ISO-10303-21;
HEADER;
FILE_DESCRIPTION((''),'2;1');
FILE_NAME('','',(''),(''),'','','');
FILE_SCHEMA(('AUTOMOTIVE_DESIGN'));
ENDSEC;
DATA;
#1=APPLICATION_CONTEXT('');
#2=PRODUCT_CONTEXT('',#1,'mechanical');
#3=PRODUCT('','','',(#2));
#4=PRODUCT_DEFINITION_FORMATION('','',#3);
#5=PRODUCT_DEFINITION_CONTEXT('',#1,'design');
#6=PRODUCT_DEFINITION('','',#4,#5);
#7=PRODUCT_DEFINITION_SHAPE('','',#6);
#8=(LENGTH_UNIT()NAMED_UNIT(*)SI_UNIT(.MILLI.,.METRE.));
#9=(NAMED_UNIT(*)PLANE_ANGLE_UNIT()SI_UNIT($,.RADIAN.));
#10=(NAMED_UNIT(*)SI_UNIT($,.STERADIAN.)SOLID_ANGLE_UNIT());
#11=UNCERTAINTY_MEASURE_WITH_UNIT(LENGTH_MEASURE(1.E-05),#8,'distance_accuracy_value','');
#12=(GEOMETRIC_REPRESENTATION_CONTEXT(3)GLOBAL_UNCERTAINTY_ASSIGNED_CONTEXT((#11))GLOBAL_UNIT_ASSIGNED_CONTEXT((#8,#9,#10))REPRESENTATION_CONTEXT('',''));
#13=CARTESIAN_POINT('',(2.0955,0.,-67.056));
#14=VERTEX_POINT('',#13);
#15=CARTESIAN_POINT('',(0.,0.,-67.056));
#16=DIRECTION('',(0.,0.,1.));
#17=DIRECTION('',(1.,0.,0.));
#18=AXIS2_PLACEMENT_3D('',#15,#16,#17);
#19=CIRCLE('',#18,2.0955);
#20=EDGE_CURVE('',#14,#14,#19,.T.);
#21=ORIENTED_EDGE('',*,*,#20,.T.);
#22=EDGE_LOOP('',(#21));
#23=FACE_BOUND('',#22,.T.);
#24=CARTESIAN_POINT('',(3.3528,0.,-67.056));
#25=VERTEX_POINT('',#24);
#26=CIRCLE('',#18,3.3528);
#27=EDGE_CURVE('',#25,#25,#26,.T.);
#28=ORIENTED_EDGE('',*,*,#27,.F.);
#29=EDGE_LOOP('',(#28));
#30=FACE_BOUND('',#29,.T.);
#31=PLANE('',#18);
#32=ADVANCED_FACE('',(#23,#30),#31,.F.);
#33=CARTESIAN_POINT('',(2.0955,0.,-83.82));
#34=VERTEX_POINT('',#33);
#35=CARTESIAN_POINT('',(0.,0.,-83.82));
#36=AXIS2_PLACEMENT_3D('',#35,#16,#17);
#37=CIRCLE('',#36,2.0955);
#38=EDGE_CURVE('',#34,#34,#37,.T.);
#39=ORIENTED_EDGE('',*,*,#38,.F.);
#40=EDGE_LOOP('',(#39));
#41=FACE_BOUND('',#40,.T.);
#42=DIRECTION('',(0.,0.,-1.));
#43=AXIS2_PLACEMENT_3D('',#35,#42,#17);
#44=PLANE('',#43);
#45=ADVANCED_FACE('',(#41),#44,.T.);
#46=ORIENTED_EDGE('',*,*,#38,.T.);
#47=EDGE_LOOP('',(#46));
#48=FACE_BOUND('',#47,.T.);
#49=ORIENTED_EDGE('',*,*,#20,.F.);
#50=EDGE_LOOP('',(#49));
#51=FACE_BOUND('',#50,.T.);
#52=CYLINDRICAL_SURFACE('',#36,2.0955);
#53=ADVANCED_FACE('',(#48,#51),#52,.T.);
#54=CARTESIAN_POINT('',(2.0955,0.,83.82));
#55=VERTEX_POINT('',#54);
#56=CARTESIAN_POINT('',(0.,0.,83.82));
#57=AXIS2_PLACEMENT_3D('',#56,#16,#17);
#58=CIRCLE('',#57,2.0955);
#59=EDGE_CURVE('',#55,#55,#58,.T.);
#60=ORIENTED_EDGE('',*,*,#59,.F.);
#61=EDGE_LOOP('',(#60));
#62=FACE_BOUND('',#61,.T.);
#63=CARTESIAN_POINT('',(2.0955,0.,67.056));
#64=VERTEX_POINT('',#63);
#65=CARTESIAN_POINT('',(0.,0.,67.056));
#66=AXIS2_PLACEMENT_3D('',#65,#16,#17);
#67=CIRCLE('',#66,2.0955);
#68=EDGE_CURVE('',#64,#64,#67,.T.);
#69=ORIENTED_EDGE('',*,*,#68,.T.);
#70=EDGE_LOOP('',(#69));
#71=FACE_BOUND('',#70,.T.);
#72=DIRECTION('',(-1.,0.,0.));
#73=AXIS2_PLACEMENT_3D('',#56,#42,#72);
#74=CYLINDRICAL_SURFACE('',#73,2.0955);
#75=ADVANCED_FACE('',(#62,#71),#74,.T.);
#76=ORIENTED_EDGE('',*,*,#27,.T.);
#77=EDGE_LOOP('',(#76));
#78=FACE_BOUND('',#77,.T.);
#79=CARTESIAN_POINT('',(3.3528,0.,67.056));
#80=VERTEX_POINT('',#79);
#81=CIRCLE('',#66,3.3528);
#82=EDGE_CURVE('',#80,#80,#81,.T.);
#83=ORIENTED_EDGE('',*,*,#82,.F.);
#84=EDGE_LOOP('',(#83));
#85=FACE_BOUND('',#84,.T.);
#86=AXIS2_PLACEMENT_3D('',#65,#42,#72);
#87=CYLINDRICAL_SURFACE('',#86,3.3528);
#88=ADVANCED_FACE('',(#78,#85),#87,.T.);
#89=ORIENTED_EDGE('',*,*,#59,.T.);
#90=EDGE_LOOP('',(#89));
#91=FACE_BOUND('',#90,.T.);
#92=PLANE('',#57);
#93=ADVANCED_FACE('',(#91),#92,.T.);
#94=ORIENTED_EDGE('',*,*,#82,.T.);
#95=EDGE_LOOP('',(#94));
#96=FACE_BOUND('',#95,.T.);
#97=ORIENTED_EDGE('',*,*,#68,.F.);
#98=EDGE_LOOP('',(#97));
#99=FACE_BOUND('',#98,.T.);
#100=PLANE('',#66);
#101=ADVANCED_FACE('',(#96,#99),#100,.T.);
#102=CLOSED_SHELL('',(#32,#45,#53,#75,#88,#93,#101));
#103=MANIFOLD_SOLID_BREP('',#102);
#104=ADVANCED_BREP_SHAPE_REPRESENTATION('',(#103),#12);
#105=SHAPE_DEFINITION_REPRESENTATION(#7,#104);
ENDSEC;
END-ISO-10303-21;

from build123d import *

# Parameters (mm, degrees)
SKETCH1_R           = 5.08
BOSS_EXTRUDE1_DEPTH = 101.6
SKETCH2_R           = 3.175
BOSS_EXTRUDE2_DEPTH = 25.4
SCALE1_SCALE        = 0.66


with BuildPart() as part:
    # Sketch1 → Boss-Extrude1 (new, symmetric)
    with BuildSketch(Plane.XY):
        Circle(SKETCH1_R)
    extrude(amount=BOSS_EXTRUDE1_DEPTH, both=True)

    # Sketch2 → Boss-Extrude2 (add)
    with BuildSketch(Plane.XY.offset(101.6)):
        Circle(SKETCH2_R)
    boss_extrude2 = extrude(amount=BOSS_EXTRUDE2_DEPTH)

    # Mirror1: Boss-Extrude2 across plane
    add(boss_extrude2.mirror(Plane.XY))


with BuildPart() as part_1:
    # Scale1: scaled about (0, 0, 0)
    add(part.part.scale(SCALE1_SCALE))


solid = part_1.part
